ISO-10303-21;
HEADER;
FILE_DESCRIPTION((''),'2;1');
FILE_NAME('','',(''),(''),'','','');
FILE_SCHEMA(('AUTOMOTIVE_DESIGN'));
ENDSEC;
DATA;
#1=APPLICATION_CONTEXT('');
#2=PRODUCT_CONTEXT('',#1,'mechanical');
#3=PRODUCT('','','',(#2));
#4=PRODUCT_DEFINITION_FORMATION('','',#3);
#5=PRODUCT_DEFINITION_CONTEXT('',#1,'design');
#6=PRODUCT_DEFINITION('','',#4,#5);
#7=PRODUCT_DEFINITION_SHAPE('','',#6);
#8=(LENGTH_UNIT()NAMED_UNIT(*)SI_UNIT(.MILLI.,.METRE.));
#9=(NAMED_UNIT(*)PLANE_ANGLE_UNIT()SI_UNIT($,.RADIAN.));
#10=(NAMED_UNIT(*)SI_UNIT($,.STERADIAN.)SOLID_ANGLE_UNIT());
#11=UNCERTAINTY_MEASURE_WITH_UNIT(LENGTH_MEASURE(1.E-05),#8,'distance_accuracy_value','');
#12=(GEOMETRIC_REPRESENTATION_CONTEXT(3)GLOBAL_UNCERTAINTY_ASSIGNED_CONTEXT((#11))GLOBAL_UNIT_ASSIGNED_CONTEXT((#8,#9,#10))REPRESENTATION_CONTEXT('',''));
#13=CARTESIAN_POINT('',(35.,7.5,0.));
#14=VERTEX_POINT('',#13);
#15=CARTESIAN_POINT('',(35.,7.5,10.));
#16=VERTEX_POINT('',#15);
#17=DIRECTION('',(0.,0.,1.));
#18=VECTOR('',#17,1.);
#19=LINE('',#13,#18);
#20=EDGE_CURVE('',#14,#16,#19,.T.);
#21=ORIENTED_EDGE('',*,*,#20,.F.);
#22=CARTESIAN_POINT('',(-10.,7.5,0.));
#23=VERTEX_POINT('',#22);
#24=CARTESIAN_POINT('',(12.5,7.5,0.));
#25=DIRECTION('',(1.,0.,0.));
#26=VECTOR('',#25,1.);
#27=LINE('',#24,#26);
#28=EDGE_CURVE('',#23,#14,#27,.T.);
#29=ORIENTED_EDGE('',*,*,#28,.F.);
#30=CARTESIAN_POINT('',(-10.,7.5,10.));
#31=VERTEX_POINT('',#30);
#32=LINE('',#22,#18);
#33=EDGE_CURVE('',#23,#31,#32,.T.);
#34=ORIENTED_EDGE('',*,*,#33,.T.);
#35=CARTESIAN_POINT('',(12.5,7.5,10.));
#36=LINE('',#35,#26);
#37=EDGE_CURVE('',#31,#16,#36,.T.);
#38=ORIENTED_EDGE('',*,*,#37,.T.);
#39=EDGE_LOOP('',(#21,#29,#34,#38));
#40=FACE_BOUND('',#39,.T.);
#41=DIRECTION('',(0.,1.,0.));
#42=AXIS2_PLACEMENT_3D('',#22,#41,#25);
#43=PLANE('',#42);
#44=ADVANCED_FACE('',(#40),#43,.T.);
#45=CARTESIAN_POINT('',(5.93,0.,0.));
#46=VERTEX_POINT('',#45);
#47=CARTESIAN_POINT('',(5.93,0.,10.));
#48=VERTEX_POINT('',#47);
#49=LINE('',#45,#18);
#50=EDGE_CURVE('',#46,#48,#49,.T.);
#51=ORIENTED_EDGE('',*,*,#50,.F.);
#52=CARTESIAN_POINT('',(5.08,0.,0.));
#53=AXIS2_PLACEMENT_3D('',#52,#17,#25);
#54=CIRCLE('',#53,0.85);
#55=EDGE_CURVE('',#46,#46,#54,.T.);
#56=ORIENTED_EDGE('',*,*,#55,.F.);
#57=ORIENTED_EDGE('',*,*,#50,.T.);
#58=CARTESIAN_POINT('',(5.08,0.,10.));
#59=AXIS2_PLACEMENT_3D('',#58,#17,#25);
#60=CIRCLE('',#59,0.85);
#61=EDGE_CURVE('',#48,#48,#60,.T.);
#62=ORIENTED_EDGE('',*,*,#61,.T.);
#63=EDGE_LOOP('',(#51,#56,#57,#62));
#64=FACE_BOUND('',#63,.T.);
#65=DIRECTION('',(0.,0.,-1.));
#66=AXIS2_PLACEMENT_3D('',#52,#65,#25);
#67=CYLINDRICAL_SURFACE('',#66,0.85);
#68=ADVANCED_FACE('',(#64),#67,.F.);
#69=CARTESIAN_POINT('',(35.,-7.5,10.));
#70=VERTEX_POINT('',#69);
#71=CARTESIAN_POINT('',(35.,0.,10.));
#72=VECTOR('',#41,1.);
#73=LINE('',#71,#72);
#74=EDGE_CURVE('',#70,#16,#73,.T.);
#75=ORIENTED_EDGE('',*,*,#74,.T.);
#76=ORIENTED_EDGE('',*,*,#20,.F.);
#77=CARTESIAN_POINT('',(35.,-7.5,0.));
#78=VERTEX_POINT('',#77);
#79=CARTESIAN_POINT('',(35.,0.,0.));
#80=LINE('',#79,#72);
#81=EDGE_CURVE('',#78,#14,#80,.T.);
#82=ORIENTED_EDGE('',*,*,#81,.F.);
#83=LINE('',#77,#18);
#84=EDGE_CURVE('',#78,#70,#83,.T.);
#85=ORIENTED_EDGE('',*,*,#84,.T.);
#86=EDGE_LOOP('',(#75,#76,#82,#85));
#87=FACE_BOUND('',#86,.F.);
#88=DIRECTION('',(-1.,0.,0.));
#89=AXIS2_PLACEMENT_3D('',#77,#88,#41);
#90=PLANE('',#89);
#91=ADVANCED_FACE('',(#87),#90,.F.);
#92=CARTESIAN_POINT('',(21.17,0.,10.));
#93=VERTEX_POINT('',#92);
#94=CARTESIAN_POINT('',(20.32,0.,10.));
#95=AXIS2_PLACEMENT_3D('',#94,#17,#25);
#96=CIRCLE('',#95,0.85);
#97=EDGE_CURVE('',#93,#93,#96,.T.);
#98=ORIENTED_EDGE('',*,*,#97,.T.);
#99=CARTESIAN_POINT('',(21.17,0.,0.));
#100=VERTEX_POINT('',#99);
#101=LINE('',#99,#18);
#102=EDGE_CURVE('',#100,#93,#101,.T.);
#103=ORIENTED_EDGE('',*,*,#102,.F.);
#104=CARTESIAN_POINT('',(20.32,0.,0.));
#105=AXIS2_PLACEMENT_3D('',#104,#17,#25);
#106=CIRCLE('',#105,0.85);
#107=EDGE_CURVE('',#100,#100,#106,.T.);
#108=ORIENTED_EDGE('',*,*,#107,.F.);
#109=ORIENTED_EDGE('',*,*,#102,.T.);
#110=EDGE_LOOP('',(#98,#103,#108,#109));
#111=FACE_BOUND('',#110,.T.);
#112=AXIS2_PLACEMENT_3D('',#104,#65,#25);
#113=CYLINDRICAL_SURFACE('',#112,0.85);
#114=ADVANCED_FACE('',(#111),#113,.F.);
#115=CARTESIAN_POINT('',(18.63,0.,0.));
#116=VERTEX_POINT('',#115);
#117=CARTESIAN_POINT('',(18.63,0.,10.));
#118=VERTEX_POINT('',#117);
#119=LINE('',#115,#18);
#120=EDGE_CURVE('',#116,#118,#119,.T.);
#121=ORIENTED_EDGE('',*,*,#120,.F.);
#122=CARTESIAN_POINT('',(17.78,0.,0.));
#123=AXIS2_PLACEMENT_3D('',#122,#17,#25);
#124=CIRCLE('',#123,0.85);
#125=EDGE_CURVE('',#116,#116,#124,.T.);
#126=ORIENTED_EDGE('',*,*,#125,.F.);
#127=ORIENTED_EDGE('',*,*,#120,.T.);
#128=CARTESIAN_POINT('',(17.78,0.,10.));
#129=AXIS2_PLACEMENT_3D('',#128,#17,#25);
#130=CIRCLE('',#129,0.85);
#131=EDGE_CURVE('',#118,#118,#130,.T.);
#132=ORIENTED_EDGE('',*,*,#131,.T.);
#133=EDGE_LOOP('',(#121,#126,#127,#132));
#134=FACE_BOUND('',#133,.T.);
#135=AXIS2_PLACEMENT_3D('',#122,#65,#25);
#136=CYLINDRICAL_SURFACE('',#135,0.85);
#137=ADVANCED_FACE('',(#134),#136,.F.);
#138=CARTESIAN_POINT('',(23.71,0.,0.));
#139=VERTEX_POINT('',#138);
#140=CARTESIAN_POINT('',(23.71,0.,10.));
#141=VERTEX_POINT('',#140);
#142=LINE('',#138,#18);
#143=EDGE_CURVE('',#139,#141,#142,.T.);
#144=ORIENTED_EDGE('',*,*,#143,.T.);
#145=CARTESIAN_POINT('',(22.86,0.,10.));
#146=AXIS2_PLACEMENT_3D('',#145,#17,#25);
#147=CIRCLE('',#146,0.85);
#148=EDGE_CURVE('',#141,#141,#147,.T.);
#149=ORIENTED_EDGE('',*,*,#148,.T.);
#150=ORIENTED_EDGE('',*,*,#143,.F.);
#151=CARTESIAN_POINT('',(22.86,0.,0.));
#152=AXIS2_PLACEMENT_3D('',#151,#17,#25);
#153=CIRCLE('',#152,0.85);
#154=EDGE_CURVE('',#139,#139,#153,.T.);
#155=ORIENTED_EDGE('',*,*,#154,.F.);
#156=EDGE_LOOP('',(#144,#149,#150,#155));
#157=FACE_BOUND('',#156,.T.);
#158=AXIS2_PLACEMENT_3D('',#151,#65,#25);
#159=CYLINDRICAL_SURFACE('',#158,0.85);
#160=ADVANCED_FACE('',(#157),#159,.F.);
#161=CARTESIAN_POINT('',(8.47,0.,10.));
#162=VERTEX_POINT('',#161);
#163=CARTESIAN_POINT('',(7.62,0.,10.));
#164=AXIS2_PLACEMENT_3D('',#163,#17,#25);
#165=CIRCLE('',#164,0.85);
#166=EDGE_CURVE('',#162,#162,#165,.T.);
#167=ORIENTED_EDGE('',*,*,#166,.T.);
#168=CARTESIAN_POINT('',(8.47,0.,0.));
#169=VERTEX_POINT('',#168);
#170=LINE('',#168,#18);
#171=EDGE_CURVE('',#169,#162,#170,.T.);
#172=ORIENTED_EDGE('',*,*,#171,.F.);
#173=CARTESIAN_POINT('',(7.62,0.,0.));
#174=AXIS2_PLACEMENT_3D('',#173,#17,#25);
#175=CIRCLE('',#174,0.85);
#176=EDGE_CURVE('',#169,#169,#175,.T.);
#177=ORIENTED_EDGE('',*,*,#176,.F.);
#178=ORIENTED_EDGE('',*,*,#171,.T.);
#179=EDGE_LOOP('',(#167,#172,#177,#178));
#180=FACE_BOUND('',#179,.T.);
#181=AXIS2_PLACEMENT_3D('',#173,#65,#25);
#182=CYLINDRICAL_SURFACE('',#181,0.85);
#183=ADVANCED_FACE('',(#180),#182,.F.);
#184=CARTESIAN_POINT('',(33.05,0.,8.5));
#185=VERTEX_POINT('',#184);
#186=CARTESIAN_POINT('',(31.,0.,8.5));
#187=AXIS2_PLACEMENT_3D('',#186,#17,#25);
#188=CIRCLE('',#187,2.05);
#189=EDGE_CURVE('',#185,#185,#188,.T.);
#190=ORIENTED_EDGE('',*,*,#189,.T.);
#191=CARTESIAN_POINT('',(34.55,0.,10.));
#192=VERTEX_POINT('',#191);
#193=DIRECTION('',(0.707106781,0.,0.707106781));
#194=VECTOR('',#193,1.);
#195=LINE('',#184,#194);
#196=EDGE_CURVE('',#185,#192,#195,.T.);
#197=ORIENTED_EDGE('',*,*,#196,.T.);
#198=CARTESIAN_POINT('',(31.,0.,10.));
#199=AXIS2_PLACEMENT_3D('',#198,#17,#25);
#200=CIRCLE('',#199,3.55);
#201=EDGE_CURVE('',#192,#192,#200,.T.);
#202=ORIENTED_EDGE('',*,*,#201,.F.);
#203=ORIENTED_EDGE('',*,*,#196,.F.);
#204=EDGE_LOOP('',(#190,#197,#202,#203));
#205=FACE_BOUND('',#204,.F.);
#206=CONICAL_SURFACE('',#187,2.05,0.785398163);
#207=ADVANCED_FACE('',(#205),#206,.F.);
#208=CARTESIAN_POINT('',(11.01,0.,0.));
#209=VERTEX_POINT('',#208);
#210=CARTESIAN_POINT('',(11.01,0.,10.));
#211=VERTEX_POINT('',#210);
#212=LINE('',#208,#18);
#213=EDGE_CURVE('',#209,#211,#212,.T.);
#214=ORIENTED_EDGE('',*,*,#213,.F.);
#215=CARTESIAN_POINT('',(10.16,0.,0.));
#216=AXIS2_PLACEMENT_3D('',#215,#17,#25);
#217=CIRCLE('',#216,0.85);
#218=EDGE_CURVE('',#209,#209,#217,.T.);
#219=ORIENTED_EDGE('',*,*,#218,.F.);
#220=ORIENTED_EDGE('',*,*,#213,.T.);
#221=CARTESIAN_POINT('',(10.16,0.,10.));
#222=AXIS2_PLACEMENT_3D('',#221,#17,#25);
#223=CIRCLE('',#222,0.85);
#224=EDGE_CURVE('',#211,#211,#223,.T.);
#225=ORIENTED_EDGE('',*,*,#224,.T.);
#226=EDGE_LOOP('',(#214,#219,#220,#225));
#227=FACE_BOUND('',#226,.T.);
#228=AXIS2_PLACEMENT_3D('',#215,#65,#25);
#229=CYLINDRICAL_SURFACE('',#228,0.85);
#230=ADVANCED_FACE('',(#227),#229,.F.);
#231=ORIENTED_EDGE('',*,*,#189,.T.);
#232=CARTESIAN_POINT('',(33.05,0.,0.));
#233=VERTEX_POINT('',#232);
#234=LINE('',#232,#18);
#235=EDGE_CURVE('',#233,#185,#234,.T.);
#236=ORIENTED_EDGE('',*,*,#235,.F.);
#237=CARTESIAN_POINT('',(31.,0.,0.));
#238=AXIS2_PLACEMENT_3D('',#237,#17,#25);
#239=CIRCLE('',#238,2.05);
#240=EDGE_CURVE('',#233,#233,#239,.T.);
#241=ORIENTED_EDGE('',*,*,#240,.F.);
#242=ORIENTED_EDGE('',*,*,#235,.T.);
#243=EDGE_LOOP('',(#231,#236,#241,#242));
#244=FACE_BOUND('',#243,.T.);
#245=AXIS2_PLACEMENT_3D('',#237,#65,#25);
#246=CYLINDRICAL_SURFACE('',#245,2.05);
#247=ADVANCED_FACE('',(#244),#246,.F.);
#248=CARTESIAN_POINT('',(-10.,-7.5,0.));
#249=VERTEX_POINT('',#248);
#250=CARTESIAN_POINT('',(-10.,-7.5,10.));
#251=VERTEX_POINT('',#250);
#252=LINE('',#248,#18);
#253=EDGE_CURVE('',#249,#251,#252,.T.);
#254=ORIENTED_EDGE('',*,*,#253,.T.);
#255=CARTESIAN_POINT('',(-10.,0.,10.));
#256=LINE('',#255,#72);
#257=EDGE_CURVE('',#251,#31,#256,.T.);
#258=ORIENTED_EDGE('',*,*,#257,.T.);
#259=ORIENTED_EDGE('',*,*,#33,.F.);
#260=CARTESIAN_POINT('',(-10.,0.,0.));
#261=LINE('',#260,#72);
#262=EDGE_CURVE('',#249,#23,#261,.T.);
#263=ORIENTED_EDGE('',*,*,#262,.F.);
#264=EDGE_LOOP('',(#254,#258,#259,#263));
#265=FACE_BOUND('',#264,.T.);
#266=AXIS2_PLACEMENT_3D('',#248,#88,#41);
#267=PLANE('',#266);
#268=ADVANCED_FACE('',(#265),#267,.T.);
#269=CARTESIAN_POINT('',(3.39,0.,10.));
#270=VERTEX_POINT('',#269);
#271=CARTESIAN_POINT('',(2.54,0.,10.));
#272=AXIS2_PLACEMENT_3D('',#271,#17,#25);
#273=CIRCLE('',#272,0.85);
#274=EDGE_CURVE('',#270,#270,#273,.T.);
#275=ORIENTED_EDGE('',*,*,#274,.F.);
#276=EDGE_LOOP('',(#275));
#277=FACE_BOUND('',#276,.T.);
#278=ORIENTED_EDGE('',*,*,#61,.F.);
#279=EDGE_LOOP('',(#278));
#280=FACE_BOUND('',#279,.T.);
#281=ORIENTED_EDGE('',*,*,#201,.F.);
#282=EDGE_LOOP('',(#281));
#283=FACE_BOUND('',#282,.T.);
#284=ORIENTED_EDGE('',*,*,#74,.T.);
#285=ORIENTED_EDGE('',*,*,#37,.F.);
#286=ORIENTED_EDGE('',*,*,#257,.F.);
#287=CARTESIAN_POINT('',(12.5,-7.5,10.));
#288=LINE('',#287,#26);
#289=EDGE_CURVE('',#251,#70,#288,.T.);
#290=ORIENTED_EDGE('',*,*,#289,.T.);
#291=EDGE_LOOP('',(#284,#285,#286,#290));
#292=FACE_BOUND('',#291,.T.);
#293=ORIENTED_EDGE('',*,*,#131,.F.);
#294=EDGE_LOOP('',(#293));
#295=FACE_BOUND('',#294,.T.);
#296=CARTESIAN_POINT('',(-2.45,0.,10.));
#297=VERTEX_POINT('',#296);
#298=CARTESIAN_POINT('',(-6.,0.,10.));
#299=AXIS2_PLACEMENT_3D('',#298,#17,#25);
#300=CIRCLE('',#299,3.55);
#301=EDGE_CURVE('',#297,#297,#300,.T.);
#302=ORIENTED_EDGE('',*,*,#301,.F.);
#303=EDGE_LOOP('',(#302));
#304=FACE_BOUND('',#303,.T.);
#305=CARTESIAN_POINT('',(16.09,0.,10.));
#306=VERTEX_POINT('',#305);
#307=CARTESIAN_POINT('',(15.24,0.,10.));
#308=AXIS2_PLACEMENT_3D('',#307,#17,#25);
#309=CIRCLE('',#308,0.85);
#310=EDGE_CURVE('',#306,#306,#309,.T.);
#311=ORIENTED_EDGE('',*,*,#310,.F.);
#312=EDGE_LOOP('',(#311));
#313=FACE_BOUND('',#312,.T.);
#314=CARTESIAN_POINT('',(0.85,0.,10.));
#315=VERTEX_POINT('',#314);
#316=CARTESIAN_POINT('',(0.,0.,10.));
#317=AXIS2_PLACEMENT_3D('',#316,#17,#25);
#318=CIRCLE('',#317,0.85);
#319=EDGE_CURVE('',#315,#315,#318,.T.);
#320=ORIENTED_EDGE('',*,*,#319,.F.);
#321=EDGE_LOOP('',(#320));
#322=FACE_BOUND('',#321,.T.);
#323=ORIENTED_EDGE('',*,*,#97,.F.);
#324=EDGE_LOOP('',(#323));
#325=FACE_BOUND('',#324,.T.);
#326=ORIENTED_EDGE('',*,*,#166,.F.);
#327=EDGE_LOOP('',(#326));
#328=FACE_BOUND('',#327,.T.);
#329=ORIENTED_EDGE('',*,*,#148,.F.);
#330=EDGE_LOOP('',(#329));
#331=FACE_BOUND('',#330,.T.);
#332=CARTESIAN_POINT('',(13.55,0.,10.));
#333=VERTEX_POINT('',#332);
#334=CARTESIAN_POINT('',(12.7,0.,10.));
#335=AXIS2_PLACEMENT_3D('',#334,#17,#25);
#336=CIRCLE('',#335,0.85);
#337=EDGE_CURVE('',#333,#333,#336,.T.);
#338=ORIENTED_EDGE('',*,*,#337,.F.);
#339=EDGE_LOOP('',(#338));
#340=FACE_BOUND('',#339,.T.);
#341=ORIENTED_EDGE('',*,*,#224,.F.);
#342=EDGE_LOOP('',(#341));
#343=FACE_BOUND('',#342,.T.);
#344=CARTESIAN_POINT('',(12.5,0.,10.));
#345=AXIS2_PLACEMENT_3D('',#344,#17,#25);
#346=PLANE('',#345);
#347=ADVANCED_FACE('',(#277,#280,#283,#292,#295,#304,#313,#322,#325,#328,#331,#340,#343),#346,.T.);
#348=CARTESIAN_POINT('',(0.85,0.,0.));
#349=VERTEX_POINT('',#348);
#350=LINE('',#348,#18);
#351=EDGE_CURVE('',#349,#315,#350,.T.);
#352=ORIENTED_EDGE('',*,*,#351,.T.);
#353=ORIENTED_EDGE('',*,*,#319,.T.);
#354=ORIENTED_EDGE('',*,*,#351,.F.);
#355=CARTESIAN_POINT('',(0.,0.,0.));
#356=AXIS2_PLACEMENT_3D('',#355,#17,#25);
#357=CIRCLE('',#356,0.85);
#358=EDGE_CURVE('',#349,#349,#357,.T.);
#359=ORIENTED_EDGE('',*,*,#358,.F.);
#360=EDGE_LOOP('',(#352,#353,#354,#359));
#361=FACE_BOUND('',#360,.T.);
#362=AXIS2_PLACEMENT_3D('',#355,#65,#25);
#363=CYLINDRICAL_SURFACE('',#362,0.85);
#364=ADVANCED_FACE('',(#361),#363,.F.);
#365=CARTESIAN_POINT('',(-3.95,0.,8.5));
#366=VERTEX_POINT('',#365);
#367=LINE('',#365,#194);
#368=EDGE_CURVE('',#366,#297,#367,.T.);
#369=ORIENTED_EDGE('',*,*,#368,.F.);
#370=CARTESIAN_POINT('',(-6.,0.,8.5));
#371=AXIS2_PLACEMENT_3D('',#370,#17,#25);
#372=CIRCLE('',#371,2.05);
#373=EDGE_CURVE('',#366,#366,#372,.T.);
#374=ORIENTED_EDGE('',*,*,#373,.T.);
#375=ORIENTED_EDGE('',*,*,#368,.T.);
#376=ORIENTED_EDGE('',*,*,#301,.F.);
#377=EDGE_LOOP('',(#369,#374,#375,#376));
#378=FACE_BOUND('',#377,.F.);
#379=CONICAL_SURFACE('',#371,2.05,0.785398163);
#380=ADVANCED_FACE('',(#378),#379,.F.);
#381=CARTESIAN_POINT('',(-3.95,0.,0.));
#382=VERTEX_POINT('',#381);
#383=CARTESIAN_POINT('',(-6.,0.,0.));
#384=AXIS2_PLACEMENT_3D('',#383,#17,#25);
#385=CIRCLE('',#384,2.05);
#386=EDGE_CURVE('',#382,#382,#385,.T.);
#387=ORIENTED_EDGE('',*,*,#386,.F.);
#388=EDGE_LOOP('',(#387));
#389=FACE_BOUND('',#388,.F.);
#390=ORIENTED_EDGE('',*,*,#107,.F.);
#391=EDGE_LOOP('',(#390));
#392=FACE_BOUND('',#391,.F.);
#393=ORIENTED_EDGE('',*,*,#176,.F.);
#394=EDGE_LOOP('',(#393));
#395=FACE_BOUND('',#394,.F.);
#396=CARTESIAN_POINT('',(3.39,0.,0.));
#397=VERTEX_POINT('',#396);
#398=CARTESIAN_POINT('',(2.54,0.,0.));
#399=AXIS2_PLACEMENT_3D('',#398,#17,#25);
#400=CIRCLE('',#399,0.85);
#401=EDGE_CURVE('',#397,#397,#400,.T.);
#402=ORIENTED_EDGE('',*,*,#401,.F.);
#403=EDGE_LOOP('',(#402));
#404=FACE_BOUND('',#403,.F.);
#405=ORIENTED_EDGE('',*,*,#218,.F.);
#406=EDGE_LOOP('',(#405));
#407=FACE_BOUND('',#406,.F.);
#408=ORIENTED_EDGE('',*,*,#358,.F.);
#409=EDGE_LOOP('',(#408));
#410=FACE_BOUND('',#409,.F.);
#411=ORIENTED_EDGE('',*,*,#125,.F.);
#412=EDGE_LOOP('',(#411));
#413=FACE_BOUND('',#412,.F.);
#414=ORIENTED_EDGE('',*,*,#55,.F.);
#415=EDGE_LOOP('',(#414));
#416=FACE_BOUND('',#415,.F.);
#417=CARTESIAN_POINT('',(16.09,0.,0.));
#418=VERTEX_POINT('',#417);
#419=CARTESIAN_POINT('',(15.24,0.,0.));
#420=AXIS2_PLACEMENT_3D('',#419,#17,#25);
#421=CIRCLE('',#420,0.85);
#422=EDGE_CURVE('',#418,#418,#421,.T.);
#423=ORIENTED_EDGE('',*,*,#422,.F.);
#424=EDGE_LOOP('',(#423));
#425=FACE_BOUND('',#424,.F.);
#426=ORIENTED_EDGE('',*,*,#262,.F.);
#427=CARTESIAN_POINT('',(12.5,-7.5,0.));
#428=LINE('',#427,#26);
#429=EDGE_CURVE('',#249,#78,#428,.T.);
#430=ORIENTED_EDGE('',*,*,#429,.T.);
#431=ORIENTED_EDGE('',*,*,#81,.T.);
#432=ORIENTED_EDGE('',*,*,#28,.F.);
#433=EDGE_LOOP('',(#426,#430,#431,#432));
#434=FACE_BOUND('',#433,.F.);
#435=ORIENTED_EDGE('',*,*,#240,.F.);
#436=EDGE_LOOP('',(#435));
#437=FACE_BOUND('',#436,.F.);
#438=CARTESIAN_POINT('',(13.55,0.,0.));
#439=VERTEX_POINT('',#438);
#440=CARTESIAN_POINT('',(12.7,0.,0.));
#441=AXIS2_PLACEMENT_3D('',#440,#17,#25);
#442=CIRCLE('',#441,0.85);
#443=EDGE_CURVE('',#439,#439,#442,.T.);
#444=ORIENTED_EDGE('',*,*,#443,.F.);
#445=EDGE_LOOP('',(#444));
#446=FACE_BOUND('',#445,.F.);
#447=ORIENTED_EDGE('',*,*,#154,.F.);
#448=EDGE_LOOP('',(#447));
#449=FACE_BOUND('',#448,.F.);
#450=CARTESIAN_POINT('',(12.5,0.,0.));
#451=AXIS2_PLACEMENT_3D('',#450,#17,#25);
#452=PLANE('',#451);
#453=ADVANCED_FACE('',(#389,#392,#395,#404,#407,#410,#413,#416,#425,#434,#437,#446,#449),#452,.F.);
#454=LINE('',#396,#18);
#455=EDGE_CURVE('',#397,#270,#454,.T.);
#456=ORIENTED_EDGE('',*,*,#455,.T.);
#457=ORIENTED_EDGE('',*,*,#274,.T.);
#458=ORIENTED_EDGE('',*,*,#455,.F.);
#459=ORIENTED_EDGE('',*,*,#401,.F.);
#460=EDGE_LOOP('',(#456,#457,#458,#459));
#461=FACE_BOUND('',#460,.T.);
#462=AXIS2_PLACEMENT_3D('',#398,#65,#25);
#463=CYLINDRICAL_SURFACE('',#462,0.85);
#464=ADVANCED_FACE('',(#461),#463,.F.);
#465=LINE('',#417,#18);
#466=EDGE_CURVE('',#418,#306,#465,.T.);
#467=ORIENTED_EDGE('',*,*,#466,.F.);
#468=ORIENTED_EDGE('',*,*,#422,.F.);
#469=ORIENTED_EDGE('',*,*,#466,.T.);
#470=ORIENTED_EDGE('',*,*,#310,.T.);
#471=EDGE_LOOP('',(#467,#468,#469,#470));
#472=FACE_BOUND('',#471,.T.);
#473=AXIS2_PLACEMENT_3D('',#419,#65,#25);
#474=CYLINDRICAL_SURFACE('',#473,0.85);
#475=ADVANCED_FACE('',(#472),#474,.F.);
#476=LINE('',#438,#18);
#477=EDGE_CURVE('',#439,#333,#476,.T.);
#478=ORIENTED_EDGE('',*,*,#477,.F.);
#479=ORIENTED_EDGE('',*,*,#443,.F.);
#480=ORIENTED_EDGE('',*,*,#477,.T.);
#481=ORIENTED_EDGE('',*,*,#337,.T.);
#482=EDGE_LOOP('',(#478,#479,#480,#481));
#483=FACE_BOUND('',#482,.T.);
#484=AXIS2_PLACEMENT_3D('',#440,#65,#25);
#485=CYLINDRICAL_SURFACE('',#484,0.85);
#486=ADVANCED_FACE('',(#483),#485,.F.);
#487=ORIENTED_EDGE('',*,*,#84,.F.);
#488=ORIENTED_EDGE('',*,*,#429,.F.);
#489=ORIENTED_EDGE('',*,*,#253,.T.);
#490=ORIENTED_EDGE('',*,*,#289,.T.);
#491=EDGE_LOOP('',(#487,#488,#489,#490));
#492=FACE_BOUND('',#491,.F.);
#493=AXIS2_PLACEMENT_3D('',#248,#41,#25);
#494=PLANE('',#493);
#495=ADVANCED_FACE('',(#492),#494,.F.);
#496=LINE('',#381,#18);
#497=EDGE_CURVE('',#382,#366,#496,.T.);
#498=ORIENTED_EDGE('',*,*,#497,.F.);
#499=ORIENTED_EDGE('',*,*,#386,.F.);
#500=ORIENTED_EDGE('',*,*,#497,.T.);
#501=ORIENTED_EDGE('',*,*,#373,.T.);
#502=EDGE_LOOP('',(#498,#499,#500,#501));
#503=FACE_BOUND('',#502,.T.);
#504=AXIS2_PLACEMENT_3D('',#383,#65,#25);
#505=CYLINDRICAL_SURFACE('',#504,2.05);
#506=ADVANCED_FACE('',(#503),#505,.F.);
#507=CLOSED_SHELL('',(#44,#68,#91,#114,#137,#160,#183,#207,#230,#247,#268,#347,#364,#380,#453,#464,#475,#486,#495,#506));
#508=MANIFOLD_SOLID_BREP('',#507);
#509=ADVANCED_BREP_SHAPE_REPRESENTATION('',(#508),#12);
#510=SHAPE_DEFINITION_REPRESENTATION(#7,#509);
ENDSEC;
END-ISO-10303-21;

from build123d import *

# Parameters (mm, degrees)
F0_W     = 45
F0_H     = 15
F0_R     = 2.05
F0_R_2   = 0.85
F1_DEPTH = 10
F2_SIZE  = 1.5


with BuildPart() as f1:
    # F0 (on Top) → F1 (new body)
    with BuildSketch(Plane.XY):
        with Locations((12.5, 0)):
            Rectangle(F0_W, F0_H)
        with Locations((-6, 0)):
            Circle(F0_R, mode=Mode.SUBTRACT)
        Circle(F0_R_2, mode=Mode.SUBTRACT)
        with Locations((2.54, 0)):
            Circle(F0_R_2, mode=Mode.SUBTRACT)
        with Locations((5.08, 0)):
            Circle(F0_R_2, mode=Mode.SUBTRACT)
        with Locations((7.62, 0)):
            Circle(F0_R_2, mode=Mode.SUBTRACT)
        with Locations((10.16, 0)):
            Circle(F0_R_2, mode=Mode.SUBTRACT)
        with Locations((12.7, 0)):
            Circle(F0_R_2, mode=Mode.SUBTRACT)
        with Locations((15.24, 0)):
            Circle(F0_R_2, mode=Mode.SUBTRACT)
        with Locations((17.78, 0)):
            Circle(F0_R_2, mode=Mode.SUBTRACT)
        with Locations((20.32, 0)):
            Circle(F0_R_2, mode=Mode.SUBTRACT)
        with Locations((22.86, 0)):
            Circle(F0_R_2, mode=Mode.SUBTRACT)
        with Locations((31, 0)):
            Circle(F0_R, mode=Mode.SUBTRACT)
    extrude(amount=F1_DEPTH)

    # F2
    f2_edges = [f1.edges().sort_by_distance(p)[0] for p in [
        (-8.05, 0, 10),
        (28.95, 0, 10),
    ]]
    chamfer(f2_edges, length=F2_SIZE)


solid = f1.part
